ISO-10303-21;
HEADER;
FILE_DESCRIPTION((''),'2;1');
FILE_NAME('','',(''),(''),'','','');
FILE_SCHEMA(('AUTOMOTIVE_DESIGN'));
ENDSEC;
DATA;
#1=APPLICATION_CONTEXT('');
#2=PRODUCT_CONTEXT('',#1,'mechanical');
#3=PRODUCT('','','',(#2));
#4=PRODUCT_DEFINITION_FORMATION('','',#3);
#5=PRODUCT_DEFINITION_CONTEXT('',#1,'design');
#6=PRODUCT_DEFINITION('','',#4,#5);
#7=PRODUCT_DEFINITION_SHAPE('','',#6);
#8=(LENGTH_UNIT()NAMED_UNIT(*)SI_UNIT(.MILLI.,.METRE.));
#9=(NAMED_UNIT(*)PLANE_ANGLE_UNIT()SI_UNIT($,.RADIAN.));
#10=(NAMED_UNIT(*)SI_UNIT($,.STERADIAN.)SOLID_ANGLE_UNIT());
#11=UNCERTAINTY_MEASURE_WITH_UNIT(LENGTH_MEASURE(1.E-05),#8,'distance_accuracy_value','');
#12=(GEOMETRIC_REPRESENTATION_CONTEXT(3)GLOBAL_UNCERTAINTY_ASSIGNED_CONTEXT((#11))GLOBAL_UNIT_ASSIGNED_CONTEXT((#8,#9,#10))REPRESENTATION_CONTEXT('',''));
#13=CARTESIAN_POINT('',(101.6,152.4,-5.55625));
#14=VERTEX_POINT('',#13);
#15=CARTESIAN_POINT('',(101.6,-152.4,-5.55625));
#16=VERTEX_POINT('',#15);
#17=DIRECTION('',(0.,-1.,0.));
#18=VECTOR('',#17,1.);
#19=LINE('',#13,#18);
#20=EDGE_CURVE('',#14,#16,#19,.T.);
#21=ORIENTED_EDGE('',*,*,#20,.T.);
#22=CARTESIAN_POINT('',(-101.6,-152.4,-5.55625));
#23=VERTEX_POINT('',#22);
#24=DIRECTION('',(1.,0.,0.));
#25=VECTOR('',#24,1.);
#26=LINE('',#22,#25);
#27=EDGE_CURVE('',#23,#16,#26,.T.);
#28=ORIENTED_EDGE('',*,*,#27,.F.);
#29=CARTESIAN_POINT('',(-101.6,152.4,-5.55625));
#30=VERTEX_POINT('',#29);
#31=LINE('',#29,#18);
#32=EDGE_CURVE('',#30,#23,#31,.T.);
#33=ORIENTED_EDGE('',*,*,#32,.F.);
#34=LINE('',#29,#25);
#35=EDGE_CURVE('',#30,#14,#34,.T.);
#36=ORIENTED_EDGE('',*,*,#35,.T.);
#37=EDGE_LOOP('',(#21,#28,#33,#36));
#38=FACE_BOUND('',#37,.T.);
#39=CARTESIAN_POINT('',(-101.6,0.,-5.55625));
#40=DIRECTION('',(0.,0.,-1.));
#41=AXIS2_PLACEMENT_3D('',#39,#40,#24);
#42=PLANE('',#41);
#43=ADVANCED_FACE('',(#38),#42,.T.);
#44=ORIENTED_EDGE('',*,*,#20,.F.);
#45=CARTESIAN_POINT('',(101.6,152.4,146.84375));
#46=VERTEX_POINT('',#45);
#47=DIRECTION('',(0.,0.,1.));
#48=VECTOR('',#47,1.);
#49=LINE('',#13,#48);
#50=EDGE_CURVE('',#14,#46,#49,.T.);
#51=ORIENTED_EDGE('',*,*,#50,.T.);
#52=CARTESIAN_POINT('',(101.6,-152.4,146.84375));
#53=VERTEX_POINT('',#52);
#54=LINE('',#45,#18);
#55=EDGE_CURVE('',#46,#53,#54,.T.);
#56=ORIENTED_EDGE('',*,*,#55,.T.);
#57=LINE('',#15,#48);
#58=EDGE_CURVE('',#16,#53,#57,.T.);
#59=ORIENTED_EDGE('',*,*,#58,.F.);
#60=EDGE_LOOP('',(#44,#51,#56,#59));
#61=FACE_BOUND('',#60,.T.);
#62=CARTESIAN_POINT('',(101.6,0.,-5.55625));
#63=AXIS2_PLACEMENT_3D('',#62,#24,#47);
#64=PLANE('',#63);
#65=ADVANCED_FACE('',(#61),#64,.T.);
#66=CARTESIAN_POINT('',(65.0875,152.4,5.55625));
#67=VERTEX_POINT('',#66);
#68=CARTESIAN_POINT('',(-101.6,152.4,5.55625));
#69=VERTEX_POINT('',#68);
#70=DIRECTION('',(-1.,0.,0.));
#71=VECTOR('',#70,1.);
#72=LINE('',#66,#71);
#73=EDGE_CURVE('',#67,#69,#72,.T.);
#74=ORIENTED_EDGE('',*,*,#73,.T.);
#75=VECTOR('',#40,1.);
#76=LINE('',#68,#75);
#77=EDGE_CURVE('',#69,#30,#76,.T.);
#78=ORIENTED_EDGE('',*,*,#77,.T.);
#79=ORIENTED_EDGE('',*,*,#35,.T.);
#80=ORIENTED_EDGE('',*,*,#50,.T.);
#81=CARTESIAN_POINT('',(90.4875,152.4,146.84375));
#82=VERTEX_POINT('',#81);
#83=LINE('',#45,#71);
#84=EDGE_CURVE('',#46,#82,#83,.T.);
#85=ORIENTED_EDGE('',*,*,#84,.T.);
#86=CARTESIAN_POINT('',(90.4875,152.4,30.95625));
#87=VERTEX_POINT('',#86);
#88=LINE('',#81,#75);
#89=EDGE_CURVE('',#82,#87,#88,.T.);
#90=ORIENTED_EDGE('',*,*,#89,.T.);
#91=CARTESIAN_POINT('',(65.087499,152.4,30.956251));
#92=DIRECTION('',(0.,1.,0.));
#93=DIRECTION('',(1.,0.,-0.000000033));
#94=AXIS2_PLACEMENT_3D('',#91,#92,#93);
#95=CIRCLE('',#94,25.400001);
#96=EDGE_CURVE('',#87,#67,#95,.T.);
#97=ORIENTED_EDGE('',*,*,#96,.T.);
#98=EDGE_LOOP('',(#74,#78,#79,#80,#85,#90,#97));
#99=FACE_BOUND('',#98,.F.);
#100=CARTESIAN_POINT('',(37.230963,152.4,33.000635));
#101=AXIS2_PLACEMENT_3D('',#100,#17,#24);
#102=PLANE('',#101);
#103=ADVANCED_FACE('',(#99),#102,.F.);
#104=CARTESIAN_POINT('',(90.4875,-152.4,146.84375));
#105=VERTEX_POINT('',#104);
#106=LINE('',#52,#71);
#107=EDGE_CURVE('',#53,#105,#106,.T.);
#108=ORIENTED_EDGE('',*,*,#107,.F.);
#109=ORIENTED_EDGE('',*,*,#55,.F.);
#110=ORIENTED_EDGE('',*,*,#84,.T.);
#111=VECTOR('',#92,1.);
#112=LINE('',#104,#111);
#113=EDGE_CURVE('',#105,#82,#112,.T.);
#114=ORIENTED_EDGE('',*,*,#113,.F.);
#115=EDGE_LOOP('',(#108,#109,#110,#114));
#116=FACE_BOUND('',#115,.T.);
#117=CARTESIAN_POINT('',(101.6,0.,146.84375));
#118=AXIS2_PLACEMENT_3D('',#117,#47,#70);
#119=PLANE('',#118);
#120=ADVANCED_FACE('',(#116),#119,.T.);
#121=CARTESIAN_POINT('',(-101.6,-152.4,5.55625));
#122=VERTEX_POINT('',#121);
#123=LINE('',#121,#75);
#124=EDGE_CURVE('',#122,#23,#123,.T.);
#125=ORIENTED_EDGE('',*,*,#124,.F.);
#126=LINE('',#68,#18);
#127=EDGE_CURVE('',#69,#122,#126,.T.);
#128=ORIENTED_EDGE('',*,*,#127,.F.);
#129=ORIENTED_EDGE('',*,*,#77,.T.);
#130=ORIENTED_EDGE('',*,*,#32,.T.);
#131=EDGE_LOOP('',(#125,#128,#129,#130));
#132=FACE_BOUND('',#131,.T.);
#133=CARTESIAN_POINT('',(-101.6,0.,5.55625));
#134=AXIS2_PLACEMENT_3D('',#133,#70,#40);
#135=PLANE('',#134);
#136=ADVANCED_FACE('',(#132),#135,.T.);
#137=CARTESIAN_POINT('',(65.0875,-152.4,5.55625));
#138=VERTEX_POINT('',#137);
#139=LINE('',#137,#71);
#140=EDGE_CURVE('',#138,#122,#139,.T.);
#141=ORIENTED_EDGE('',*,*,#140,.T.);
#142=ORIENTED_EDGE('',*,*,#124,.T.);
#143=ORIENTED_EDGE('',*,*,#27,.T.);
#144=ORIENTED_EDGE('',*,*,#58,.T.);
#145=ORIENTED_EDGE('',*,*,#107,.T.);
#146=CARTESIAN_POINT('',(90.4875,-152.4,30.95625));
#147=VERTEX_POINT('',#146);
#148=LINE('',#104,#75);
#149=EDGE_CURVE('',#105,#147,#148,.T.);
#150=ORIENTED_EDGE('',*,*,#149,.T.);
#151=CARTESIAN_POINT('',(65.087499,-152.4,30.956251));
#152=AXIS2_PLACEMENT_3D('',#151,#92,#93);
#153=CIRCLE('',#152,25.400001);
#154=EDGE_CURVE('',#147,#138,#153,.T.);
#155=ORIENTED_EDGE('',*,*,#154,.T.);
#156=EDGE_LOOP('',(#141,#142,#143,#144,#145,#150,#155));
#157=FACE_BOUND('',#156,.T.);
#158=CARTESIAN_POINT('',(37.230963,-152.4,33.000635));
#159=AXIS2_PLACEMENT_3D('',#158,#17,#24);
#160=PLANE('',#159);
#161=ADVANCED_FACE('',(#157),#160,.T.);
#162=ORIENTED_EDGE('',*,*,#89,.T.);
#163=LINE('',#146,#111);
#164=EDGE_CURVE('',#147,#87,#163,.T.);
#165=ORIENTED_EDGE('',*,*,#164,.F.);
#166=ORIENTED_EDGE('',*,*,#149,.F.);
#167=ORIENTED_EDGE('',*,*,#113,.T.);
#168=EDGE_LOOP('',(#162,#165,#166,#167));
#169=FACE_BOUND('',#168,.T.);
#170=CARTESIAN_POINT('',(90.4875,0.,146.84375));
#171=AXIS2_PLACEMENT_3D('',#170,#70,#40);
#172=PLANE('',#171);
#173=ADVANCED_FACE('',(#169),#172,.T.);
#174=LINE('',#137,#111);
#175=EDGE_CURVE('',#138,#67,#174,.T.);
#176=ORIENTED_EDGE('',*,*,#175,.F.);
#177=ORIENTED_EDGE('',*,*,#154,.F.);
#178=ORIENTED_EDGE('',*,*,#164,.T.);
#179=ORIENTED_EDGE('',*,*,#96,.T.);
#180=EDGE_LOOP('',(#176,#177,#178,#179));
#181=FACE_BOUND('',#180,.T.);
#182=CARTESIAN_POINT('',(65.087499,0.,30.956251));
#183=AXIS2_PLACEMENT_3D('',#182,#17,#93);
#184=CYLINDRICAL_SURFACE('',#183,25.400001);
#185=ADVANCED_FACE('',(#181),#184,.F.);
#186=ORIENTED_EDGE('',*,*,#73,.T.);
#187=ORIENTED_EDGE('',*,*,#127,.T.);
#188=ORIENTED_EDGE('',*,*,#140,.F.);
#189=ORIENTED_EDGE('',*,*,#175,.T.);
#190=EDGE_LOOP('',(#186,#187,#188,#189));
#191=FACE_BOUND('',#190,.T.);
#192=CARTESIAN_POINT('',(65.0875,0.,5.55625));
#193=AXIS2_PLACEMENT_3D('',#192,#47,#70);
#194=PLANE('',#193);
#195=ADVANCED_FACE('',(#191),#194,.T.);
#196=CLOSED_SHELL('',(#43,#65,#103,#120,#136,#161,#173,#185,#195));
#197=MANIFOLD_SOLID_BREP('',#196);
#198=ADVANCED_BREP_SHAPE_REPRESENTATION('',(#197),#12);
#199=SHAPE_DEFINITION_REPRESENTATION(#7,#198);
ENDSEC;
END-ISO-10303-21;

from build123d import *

# Parameters (mm, degrees)
F1_DEPTH = 152.4


with BuildPart() as f1:
    # F0 (on Front) → F1 (new body, symmetric)
    with BuildSketch(Plane.XZ):
        with BuildLine():
            Line((65.0875, 5.55625), (-101.6, 5.55625))
            Line((-101.6, 5.55625), (-101.6, -5.55625))
            Line((-101.6, -5.55625), (101.6, -5.55625))
            Line((101.6, -5.55625), (101.6, 146.84375))
            Line((101.6, 146.84375), (90.4875, 146.84375))
            Line((90.4875, 146.84375), (90.4875, 30.95625))
            ThreePointArc((90.4875, 30.95625), (83.048012, 12.995738), (65.0875, 5.55625))
        make_face()
    extrude(amount=F1_DEPTH, both=True)


solid = f1.part
